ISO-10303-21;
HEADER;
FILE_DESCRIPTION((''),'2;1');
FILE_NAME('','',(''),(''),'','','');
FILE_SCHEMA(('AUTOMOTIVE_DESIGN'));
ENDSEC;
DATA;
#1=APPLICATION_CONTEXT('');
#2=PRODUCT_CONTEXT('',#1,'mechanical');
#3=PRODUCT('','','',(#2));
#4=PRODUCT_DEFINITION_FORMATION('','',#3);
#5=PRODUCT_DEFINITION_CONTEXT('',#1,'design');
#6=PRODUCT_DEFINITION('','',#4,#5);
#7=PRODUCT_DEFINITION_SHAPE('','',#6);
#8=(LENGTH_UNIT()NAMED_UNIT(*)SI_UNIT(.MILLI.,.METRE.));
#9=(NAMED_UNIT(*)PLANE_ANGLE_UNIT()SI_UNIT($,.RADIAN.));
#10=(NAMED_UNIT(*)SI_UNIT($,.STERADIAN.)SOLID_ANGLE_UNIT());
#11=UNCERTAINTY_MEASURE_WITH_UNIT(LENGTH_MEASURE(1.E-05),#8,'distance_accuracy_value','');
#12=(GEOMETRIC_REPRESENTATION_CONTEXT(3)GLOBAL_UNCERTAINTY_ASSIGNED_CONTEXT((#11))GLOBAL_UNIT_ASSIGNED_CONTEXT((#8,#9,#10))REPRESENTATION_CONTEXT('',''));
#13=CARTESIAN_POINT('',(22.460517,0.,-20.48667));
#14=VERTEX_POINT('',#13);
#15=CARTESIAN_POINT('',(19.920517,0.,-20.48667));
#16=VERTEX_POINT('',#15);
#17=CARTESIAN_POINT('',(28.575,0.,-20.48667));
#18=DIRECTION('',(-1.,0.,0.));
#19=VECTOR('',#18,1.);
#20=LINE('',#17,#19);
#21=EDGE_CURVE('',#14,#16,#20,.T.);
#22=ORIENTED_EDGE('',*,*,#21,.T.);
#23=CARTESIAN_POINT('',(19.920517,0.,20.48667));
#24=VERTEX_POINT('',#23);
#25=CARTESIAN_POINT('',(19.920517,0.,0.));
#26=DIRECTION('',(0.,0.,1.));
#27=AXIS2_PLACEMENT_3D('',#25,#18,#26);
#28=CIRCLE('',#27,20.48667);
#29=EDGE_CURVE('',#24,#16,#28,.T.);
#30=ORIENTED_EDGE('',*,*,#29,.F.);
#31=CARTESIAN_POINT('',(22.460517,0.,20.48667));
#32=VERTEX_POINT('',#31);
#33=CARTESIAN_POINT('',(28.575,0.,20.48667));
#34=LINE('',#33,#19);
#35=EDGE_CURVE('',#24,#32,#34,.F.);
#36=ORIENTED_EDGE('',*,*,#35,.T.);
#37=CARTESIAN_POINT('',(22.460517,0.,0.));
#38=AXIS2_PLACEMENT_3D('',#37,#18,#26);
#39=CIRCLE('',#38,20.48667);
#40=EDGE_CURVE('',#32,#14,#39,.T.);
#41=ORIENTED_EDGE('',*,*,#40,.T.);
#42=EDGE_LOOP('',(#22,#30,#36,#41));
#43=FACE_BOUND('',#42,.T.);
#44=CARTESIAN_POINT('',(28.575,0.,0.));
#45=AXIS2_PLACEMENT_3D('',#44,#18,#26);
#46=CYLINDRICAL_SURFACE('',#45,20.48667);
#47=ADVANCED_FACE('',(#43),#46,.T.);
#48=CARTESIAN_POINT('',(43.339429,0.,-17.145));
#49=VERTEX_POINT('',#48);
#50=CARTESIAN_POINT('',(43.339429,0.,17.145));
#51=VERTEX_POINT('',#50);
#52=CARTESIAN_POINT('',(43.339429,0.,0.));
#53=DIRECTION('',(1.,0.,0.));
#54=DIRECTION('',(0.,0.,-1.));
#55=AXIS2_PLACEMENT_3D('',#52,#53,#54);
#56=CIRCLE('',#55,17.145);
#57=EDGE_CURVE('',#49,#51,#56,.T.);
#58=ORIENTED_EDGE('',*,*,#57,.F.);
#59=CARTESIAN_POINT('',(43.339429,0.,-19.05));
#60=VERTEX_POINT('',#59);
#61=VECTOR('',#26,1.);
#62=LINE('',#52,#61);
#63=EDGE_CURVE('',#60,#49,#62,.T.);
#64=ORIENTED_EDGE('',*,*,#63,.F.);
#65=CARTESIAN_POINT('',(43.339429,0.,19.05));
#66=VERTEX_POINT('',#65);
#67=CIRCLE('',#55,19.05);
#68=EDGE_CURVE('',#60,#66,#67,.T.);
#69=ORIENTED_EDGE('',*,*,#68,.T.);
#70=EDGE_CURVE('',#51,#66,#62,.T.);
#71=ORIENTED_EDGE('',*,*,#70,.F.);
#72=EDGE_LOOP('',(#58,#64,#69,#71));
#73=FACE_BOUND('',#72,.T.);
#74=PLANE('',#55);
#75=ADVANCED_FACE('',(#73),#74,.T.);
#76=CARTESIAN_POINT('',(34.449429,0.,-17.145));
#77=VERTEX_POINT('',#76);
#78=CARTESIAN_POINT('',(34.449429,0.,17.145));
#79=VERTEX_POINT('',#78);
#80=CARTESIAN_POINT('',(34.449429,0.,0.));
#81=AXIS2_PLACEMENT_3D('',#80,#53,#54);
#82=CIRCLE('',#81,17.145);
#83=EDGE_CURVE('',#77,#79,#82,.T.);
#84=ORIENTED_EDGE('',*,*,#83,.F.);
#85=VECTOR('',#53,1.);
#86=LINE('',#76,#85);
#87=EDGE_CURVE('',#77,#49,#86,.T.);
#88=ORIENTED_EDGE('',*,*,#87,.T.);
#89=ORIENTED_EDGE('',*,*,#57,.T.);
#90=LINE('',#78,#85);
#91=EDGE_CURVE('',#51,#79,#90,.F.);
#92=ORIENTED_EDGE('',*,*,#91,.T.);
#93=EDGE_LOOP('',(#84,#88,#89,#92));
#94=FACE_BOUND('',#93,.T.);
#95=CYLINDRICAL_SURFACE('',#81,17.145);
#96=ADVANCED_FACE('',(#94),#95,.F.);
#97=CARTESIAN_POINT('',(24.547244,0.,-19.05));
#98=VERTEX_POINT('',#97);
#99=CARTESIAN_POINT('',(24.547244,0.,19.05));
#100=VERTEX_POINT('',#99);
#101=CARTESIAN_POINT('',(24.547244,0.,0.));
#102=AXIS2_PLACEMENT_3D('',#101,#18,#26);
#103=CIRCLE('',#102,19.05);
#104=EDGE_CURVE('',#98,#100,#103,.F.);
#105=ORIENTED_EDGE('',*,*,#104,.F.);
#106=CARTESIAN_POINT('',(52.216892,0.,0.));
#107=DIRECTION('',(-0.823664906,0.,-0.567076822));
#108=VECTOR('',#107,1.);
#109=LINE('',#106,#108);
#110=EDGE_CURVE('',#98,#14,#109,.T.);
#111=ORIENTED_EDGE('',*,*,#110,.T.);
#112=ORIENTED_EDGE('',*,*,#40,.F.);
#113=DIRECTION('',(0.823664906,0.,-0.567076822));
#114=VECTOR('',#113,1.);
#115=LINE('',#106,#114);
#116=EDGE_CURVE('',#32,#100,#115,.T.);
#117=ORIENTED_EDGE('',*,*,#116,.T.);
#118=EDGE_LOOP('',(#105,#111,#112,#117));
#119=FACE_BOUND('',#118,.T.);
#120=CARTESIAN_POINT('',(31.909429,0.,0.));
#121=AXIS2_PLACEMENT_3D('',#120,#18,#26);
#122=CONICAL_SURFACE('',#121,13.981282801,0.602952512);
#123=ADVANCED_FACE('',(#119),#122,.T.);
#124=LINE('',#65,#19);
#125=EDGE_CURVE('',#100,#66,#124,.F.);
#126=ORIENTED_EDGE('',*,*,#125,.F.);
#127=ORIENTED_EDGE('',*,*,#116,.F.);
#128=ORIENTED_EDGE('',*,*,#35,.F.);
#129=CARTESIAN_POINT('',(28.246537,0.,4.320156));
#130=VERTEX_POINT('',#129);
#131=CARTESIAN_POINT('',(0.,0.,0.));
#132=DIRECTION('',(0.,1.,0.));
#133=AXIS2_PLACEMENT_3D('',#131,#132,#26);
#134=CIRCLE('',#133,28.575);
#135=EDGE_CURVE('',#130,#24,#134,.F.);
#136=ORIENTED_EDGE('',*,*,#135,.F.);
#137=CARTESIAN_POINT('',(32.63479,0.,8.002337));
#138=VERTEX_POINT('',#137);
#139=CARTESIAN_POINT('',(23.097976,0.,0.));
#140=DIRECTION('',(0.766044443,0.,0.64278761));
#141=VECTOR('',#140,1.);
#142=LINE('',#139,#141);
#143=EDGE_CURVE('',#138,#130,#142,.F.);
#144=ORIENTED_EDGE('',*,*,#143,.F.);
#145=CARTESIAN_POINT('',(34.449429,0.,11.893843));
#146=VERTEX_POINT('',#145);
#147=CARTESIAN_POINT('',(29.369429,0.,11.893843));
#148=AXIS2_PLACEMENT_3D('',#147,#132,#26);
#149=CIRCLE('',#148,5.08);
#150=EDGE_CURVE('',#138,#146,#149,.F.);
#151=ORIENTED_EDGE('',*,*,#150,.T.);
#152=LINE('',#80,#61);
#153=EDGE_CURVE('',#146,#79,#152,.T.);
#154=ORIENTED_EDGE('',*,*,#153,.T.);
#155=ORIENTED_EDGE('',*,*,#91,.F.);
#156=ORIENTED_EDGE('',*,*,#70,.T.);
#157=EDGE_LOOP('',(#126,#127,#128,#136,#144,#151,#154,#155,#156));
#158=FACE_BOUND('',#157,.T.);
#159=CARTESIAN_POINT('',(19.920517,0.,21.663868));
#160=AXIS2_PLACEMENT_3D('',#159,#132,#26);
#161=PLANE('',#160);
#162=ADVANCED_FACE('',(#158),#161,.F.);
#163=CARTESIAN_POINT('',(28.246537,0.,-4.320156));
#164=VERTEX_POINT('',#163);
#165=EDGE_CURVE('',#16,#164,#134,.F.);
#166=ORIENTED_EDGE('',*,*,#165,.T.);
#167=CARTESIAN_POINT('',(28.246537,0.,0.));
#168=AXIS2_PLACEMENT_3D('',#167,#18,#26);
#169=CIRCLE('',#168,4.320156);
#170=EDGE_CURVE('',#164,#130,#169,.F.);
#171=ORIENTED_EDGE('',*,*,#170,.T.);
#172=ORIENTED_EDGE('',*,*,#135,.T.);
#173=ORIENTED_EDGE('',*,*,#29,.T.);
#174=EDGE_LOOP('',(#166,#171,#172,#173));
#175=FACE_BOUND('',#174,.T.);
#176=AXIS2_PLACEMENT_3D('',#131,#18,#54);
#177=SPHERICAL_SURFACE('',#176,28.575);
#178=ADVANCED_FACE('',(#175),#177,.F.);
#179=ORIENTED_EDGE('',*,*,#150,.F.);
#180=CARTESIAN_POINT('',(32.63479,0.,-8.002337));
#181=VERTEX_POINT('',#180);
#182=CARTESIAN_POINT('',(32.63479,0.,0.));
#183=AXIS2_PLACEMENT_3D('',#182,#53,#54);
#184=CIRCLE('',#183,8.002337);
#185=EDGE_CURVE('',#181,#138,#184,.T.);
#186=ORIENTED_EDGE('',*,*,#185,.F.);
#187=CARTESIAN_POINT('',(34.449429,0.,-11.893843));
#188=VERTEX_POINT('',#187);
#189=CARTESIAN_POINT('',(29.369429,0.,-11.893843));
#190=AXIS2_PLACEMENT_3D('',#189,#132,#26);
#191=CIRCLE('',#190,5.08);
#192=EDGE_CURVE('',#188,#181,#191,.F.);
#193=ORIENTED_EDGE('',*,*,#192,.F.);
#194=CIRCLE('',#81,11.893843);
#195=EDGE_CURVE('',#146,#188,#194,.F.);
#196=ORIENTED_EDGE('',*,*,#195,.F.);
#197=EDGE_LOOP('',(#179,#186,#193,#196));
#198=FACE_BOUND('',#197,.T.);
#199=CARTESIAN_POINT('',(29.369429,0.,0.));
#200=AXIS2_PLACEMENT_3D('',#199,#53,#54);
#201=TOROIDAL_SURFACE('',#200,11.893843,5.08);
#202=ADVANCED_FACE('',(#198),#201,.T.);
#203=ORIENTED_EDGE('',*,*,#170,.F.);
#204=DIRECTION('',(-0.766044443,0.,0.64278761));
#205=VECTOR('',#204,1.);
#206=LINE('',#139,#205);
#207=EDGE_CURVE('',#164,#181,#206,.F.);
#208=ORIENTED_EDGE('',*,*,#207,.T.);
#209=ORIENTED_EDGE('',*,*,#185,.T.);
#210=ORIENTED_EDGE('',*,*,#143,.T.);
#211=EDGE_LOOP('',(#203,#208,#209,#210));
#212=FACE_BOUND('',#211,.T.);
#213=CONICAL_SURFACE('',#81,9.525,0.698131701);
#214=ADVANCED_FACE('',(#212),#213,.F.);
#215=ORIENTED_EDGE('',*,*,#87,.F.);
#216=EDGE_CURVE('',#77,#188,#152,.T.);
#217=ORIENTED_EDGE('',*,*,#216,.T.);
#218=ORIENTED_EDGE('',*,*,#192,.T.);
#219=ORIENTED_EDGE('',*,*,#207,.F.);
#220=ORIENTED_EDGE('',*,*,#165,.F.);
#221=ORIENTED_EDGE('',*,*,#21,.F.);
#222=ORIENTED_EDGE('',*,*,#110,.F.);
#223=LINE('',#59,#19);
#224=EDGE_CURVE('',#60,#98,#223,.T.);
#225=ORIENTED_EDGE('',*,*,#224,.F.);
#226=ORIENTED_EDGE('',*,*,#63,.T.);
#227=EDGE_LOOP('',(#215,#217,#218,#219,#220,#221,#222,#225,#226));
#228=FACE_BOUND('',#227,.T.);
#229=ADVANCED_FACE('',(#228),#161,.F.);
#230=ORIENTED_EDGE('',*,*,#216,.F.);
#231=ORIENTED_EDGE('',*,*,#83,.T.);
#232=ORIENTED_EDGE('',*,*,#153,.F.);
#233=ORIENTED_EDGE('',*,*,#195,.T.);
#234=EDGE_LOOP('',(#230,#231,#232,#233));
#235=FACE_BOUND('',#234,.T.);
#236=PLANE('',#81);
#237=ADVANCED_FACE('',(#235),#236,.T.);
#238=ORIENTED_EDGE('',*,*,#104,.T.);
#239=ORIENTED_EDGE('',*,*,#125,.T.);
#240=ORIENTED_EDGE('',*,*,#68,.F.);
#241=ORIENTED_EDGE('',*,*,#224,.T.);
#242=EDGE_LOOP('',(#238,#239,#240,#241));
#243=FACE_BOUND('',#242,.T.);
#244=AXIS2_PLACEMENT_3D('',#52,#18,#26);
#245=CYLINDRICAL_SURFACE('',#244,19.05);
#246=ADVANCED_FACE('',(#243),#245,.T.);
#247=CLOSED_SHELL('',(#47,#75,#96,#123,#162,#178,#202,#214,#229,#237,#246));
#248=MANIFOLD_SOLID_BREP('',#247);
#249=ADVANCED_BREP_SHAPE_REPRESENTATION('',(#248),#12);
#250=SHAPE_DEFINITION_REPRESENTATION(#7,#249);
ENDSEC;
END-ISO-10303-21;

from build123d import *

# Parameters (mm, degrees)
SKETCH5_R               = 19.05
BOSS_EXTRUDE1_DEPTH     = 11.43
BOSS_EXTRUDE4_REACH     = 13.989
SKETCH12_R              = 19.05
SKETCH12_R_2            = 13.981282801
SKETCH11_R              = 17.145
CUT_EXTRUDE5_DEPTH      = 8.89
SKETCH13_R              = 9.525
CUT_EXTRUDE7_DEPTH      = 6.35
CUT_EXTRUDE7_TAPER      = 40
SKETCH14_W              = 44.104776143
SKETCH14_H              = 21.741572172
CUT_EXTRUDE8_DEPTH      = 1
CUT_EXTRUDE8_DEPTH_BACK = 24.418912122
FILLET6_R               = 5.08


with BuildPart() as part:
    # Sketch1 → Revolve4 (revolve)
    with BuildSketch(Plane(origin=(0, 0, 0), x_dir=(1, 0, 0), z_dir=(0, 1, 0))):
        with BuildLine():
            Line((22.460516589, 20.486669906), (19.920516589, 20.486669906))
            ThreePointArc((19.920516589, 20.486669906), (26.322608025, 11.119844052), (28.575, 0))
            Line((28.575, 0), (31.909428711, 0))
            Line((31.909428711, 0), (31.909428711, 13.981282801))
            Line((31.909428711, 13.981282801), (22.460516589, 20.486669906))
        make_face()
    revolve(axis=Axis((28.575, 0, 0), (1, 0, 0)))

    # Sketch5 → Boss-Extrude1 (add)
    with BuildSketch(Plane(origin=(31.909428711, 0, 0), x_dir=(0, 0, -1), z_dir=(1, 0, 0))):
        Circle(SKETCH5_R)
    extrude(amount=BOSS_EXTRUDE1_DEPTH)

    # Sketch12 → Boss-Extrude4 (add, up to next)
    with BuildSketch(Plane.ZY.offset(-31.909428711), mode=Mode.PRIVATE) as boss_extrude4_sk1:
        Circle(SKETCH12_R)
        Circle(SKETCH12_R_2, mode=Mode.SUBTRACT)
    boss_extrude4_tool1 = extrude(boss_extrude4_sk1.sketch, amount=BOSS_EXTRUDE4_REACH, mode=Mode.PRIVATE) - part.part
    add(boss_extrude4_tool1.solids().sort_by_distance((31.909429, 0, -18.511185))[0])

    # Sketch11 → Cut-Extrude5 (cut)
    with BuildSketch(Plane(origin=(43.339428711, 0, 0), x_dir=(0, 0, -1), z_dir=(1, 0, 0))):
        Circle(SKETCH11_R)
    extrude(amount=-CUT_EXTRUDE5_DEPTH, mode=Mode.SUBTRACT)

    # Sketch13 → Cut-Extrude7 (cut)
    with BuildSketch(Plane(origin=(34.449428711, 0, 0), x_dir=(0, 0, -1), z_dir=(1, 0, 0))):
        Circle(SKETCH13_R)
    extrude(amount=-CUT_EXTRUDE7_DEPTH, taper=CUT_EXTRUDE7_TAPER, mode=Mode.SUBTRACT)

    # Sketch14 → Cut-Extrude8 (cut, two sides)
    with BuildSketch(Plane(origin=(43.339428711, 0, 0), x_dir=(0, 0, -1), z_dir=(1, 0, 0))) as cut_extrude8_sk:
        with Locations((0.388519875, -10.870786086)):
            Rectangle(SKETCH14_W, SKETCH14_H)
    extrude(amount=CUT_EXTRUDE8_DEPTH, mode=Mode.SUBTRACT)
    extrude(cut_extrude8_sk.sketch, amount=-CUT_EXTRUDE8_DEPTH_BACK, mode=Mode.SUBTRACT)

    # Fillet6
    fillet6_edges = [part.edges().sort_by_distance(p)[0] for p in [
        (34.449428711, 9.525, 0),
    ]]
    fillet(fillet6_edges, radius=FILLET6_R)


solid = part.part
